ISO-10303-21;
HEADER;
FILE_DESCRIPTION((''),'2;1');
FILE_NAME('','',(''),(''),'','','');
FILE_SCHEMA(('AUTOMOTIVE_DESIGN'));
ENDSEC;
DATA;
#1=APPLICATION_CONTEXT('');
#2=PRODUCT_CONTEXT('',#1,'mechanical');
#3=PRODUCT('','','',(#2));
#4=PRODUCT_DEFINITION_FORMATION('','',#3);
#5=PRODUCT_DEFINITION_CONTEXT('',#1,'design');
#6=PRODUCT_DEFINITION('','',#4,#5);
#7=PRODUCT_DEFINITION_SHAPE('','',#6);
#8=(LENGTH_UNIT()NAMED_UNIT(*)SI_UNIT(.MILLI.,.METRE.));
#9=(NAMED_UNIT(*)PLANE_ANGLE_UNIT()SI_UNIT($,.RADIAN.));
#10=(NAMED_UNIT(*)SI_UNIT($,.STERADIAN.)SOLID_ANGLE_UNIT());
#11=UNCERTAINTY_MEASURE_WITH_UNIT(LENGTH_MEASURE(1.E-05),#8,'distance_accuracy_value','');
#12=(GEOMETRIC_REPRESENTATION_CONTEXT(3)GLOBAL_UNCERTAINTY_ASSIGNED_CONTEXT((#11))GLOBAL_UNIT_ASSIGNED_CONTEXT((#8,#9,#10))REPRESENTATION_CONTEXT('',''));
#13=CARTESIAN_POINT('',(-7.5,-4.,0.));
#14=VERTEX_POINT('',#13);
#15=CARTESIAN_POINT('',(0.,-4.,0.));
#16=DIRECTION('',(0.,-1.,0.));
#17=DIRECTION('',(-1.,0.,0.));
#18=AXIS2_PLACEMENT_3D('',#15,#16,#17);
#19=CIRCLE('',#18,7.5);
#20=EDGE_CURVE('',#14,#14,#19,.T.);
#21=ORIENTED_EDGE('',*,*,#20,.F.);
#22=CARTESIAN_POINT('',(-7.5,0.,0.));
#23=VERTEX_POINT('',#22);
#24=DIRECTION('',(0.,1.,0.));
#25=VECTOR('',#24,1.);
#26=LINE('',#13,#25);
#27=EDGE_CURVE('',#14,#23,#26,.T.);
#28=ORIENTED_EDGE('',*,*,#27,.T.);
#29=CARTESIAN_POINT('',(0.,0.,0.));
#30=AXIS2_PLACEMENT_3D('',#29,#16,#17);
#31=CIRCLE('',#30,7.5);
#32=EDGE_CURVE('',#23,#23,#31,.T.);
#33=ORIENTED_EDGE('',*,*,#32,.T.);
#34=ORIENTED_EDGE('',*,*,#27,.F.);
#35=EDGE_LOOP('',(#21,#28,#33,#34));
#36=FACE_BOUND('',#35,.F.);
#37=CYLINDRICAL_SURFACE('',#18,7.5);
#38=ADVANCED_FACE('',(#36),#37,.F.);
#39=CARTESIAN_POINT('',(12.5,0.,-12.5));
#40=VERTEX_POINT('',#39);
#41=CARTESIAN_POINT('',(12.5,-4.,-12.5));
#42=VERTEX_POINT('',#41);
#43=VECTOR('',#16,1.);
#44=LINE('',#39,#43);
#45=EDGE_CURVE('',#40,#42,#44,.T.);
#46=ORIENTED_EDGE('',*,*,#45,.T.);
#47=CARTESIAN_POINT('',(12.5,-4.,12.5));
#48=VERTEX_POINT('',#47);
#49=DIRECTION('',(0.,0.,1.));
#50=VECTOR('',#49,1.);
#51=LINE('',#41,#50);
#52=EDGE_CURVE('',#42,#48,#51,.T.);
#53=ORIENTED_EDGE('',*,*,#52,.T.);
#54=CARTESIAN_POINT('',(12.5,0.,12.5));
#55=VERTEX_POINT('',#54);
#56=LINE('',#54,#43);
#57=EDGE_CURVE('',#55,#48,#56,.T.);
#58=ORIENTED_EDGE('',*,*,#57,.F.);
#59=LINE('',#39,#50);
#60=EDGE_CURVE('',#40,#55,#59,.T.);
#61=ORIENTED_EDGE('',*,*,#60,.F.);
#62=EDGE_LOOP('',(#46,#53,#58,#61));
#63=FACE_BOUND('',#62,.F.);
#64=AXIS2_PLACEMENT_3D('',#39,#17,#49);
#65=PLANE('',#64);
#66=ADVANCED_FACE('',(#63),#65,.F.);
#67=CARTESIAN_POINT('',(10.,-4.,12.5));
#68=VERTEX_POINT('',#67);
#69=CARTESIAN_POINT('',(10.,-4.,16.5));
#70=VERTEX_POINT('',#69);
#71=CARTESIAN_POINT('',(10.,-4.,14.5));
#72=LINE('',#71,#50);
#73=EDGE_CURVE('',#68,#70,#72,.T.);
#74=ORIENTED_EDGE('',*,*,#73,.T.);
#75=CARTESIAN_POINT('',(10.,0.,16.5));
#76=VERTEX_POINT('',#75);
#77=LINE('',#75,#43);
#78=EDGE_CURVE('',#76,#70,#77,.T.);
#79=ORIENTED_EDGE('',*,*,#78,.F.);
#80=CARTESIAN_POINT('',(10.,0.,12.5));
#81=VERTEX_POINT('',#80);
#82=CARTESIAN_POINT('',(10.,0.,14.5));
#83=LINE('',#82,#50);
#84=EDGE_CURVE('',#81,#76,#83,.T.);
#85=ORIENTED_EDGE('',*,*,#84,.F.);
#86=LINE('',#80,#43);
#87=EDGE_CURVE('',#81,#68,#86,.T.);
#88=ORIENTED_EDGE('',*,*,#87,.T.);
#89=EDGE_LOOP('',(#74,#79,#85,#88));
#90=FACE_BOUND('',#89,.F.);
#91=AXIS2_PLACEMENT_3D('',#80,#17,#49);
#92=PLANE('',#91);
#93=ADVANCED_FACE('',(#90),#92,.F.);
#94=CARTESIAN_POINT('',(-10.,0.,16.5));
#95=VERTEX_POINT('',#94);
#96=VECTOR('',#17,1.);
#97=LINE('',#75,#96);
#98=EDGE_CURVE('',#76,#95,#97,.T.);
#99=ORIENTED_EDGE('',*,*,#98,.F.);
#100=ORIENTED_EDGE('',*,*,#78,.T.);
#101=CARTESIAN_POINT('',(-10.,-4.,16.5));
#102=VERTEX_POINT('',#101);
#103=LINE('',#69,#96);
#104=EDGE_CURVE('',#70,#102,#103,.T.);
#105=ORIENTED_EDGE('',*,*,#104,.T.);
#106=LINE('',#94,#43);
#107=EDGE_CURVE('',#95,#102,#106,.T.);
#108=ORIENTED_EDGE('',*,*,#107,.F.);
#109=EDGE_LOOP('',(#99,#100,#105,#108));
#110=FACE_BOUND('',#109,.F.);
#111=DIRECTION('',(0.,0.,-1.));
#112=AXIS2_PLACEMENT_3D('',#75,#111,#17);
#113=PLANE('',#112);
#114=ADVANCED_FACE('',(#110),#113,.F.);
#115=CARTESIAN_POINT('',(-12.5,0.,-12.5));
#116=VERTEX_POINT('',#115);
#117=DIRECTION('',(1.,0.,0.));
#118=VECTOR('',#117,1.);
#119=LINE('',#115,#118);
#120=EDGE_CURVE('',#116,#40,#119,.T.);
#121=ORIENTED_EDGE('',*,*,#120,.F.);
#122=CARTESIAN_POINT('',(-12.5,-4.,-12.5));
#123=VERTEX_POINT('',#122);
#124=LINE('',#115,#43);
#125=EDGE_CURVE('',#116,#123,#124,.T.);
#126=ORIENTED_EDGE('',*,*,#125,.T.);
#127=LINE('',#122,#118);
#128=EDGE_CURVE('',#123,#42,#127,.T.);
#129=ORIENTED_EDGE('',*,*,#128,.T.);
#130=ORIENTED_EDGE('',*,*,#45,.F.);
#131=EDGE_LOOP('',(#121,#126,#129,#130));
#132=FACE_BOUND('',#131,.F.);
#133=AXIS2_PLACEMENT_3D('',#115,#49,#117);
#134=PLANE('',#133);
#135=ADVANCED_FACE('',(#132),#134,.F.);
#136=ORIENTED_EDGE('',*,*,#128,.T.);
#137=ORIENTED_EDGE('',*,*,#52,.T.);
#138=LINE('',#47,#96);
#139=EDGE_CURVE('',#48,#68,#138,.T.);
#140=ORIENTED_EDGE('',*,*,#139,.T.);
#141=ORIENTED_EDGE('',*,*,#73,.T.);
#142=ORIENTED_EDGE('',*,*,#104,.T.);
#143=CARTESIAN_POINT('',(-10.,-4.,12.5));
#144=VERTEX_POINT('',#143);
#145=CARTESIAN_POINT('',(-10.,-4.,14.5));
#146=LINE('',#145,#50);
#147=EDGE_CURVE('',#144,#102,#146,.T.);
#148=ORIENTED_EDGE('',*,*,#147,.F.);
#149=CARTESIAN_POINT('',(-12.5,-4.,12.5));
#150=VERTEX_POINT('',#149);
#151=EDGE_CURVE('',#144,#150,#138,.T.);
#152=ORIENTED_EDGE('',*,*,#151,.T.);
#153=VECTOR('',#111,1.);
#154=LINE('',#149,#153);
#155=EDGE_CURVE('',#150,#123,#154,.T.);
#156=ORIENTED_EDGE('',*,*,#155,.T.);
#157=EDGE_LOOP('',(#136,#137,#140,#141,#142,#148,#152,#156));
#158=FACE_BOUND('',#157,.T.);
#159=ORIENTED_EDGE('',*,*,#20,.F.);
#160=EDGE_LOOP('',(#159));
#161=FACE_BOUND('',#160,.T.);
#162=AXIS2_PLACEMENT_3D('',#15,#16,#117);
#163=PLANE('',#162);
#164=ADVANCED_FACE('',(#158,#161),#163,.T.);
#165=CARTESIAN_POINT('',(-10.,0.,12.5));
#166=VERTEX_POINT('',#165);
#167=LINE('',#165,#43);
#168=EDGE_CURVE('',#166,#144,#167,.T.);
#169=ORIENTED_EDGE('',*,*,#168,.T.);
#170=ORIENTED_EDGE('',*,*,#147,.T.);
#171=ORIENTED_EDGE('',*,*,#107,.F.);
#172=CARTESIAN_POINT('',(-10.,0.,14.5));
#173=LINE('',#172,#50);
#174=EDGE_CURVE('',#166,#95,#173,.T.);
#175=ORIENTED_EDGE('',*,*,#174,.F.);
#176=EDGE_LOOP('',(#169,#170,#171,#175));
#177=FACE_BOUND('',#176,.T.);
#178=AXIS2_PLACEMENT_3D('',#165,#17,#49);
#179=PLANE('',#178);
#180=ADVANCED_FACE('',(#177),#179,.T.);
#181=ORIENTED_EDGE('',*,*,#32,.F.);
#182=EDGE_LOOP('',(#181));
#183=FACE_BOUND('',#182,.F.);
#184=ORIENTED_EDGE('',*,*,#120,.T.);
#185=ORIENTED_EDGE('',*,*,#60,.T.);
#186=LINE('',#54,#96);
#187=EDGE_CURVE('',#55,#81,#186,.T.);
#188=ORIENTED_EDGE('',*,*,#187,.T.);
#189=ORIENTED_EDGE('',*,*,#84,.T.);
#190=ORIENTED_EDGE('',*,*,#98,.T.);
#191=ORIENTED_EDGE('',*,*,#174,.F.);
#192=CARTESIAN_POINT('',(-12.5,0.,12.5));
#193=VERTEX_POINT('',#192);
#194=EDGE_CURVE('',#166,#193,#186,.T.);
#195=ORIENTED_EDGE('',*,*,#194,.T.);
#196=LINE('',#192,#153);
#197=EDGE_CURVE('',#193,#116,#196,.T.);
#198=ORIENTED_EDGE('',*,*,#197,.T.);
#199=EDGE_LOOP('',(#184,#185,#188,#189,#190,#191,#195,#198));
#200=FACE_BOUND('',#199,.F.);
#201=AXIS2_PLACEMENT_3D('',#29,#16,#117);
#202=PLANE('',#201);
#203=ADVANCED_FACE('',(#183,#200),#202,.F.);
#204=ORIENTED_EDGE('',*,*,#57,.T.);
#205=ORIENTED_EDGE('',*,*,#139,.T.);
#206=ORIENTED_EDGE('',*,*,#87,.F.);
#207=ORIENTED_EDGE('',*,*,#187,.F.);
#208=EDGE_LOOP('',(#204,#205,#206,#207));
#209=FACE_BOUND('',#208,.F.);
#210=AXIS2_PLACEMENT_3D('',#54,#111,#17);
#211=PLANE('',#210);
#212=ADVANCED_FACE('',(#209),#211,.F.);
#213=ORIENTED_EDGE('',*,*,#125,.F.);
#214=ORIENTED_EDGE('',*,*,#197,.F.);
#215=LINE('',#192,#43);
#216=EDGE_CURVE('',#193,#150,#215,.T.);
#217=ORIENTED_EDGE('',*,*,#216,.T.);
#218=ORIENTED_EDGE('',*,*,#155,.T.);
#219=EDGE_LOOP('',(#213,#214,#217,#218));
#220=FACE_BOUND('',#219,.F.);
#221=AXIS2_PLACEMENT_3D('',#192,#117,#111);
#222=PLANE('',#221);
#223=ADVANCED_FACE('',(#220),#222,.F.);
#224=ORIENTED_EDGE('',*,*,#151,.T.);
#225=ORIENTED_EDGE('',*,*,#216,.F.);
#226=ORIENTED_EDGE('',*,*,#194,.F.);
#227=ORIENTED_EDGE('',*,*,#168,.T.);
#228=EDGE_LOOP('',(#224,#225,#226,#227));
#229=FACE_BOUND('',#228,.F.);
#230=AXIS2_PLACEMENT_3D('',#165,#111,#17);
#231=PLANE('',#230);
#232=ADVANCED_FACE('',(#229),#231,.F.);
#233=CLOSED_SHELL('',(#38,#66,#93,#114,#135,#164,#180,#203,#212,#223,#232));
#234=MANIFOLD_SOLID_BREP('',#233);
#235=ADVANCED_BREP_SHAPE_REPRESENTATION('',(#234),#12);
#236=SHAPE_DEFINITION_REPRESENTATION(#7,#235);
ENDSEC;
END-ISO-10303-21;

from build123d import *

# Parameters (mm, degrees)
F0_W     = 10
F0_H     = 4
F1_DEPTH = 4
F3_DEPTH = 25


with BuildPart() as f1:
    # F0 (on Front) → F1 (new body)
    with BuildSketch(Plane.XZ):
        Polygon((-12.5, 12.5), (-12.5, -12.5), (12.5, -12.5), (12.5, 12.5), (10, 12.5), (0, 12.5), (-10, 12.5), align=None)
        with Locations((-5, 14.5)):
            Rectangle(F0_W, F0_H)
        with Locations((5, 14.5)):
            Rectangle(F0_W, F0_H)
    extrude(amount=F1_DEPTH)

    # F2 (on face) → F3 (cut)
    with BuildSketch(Plane.XZ.offset(4)):
        with BuildLine():
            Line((-7.5, 0), (7.5, 0))
            ThreePointArc((7.5, 0), (0, 7.5), (-7.5, 0))
        make_face()
        with BuildLine():
            ThreePointArc((-7.5, 0), (0, -7.5), (7.5, 0))
            Line((7.5, 0), (-7.5, 0))
        make_face()
    extrude(amount=-F3_DEPTH, mode=Mode.SUBTRACT)


solid = f1.part
